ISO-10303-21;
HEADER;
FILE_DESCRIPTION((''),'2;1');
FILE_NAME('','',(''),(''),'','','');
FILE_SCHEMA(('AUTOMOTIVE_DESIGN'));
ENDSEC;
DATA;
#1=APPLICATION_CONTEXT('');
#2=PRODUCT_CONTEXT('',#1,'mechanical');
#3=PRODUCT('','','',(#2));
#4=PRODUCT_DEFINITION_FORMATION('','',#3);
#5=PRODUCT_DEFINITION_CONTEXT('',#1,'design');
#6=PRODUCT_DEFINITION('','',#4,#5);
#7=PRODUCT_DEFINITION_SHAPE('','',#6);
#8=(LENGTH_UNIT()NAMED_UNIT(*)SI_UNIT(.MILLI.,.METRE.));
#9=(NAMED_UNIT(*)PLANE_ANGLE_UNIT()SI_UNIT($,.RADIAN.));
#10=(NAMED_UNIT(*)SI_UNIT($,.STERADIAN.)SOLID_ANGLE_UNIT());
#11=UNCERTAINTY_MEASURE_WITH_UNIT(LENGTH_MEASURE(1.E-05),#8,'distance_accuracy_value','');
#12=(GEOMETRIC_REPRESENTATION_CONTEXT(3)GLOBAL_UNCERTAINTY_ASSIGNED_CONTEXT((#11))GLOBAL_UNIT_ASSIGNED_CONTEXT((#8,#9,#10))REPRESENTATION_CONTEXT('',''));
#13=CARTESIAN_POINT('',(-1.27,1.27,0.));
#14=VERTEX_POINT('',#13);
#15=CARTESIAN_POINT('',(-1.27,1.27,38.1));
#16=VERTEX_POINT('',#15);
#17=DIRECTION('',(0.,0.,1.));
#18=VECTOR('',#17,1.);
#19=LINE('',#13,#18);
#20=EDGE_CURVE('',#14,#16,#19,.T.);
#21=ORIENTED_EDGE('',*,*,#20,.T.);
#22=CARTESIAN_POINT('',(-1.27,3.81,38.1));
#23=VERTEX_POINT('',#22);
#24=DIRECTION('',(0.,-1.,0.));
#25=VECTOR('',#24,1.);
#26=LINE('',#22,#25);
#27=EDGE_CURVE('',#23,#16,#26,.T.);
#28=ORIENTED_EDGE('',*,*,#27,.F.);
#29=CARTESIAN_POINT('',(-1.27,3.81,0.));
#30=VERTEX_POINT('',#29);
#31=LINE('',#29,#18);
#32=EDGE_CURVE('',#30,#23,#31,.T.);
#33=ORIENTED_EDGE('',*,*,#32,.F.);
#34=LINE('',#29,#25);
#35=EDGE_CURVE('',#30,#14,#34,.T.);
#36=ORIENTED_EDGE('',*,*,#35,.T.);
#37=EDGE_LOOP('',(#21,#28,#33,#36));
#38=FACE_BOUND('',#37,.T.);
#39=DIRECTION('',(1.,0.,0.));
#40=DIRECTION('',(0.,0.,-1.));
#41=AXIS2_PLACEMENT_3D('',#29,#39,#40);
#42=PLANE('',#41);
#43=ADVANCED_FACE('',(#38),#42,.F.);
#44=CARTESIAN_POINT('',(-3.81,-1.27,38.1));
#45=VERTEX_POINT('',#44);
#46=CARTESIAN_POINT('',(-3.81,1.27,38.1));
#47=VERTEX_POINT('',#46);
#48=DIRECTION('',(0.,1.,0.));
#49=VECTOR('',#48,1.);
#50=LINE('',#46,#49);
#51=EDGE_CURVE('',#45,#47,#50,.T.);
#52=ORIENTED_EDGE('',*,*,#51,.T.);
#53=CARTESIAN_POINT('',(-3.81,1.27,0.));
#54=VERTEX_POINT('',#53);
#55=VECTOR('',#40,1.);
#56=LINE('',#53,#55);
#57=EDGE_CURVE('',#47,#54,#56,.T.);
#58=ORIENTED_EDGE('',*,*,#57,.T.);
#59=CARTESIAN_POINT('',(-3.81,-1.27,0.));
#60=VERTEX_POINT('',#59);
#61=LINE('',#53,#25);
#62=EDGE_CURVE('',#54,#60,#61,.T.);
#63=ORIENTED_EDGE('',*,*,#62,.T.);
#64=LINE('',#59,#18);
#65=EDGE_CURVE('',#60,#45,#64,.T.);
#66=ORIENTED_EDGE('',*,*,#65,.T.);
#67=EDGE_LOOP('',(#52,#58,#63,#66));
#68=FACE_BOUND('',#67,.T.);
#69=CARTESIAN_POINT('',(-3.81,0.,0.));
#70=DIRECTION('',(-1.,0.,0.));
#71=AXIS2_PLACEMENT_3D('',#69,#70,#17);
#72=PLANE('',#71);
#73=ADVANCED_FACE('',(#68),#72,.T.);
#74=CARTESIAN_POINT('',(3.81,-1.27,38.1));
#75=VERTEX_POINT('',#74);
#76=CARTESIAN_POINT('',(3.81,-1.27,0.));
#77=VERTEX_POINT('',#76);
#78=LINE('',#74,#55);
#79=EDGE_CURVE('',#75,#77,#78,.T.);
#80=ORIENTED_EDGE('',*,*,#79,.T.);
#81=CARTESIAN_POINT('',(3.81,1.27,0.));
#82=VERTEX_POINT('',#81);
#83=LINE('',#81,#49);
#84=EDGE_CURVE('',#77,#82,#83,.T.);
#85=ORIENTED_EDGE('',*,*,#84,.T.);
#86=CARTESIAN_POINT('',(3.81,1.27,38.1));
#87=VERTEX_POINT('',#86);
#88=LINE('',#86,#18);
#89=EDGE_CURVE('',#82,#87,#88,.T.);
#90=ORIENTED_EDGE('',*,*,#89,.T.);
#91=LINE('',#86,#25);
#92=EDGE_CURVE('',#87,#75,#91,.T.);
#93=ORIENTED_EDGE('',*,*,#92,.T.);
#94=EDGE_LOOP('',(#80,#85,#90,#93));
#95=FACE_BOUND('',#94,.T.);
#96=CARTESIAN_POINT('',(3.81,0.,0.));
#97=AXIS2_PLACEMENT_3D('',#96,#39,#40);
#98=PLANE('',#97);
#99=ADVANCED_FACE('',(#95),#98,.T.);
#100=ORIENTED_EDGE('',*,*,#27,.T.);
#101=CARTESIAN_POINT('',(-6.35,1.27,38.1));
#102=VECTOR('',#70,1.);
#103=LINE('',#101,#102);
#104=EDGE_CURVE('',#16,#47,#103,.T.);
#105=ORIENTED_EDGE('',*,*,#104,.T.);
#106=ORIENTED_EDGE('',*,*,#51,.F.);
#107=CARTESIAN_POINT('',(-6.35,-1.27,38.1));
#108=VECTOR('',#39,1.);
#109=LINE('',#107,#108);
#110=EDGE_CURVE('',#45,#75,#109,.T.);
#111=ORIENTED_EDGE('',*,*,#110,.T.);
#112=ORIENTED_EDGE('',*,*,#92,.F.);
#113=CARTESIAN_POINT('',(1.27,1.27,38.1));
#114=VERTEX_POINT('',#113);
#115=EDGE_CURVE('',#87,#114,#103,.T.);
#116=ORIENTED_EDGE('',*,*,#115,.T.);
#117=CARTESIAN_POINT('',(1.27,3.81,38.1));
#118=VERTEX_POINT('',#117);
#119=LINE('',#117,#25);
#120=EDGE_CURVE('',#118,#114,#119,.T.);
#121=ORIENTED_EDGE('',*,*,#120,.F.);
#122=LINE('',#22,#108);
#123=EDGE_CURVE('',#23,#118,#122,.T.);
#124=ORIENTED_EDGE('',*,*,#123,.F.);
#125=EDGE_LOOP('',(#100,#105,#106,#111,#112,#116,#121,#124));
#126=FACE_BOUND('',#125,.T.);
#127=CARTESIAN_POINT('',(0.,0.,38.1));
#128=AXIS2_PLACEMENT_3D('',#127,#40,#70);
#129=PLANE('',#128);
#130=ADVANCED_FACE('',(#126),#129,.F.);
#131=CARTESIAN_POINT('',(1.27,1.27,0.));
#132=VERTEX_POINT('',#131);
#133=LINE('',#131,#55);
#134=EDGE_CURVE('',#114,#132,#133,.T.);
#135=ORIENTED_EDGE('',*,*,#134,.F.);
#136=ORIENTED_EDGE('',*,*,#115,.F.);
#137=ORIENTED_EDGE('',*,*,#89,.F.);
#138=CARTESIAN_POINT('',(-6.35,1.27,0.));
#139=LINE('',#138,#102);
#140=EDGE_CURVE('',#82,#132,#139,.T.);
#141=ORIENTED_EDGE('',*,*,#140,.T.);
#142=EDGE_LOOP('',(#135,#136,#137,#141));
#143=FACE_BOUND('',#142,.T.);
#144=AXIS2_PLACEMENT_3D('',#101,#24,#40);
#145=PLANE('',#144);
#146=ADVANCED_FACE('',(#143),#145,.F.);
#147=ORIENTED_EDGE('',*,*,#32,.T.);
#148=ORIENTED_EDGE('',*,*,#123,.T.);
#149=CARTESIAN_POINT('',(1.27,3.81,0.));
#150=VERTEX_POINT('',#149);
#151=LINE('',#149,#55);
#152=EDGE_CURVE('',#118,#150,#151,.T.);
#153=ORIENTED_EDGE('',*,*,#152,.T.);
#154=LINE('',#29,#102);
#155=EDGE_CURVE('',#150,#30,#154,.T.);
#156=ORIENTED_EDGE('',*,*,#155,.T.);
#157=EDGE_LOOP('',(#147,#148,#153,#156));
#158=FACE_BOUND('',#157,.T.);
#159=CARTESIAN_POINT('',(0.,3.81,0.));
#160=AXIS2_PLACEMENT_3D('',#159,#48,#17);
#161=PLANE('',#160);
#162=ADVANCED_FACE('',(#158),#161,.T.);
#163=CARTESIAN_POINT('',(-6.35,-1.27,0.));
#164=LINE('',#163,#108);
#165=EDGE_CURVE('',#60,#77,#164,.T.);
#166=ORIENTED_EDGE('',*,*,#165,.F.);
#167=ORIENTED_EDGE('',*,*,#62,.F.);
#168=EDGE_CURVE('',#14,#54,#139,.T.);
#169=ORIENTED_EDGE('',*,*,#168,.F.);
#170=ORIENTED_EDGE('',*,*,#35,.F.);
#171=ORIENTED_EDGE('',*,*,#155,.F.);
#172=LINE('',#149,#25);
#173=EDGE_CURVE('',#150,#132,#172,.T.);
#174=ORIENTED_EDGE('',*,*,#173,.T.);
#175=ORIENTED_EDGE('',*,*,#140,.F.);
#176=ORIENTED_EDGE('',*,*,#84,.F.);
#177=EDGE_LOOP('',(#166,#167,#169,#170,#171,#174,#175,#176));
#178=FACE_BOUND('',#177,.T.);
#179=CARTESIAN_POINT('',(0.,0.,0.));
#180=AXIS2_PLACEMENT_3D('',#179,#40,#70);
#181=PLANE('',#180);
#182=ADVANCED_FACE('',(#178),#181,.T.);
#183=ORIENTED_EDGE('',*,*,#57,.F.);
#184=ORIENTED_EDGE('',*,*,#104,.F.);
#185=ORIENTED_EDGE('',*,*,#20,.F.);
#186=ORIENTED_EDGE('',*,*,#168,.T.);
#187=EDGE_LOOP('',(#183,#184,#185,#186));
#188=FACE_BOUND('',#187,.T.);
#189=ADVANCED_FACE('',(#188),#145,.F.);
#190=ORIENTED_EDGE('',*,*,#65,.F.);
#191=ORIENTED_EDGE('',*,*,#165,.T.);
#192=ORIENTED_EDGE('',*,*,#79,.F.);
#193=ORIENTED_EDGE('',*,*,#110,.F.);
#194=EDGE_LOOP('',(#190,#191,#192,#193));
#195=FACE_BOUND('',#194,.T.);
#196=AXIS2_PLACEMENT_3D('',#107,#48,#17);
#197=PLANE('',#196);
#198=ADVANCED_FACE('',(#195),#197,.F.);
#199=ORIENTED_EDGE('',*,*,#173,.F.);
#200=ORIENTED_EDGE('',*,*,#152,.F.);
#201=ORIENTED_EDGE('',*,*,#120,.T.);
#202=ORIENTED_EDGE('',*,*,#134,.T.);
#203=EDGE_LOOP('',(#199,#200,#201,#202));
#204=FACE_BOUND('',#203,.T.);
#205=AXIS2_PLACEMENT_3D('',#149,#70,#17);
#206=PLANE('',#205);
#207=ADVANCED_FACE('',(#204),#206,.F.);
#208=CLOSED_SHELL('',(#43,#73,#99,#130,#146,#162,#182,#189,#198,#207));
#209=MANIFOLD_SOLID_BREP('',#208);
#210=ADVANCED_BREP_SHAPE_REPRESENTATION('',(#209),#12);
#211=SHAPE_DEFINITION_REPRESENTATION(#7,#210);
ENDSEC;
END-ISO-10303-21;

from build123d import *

# Parameters (mm, degrees)
SKETCH1_W           = 12.7
SKETCH1_H           = 2.54
BOSS_EXTRUDE1_DEPTH = 38.1
SKETCH3_W           = 38.1
SKETCH3_H           = 2.54
CUT_EXTRUDE1_DEPTH  = 2.54
SKETCH4_W           = 38.1
SKETCH4_H           = 2.54
CUT_EXTRUDE2_DEPTH  = 2.54
SKETCH5_W           = 2.54
SKETCH5_H           = 38.1
BOSS_EXTRUDE3_DEPTH = 2.54


with BuildPart() as part:
    # Sketch1 → Boss-Extrude1 (new body)
    with BuildSketch(Plane.XY):
        Rectangle(SKETCH1_W, SKETCH1_H)
    extrude(amount=BOSS_EXTRUDE1_DEPTH)

    # Sketch3 → Cut-Extrude1 (cut)
    with BuildSketch(Plane(origin=(6.35, 0, 0), x_dir=(0, 0, -1), z_dir=(1, 0, 0))):
        with Locations((-19.05, 0)):
            Rectangle(SKETCH3_W, SKETCH3_H)
    extrude(amount=-CUT_EXTRUDE1_DEPTH, mode=Mode.SUBTRACT)

    # Sketch4 → Cut-Extrude2 (cut)
    with BuildSketch(Plane.ZY.offset(6.35)):
        with Locations((19.05, 0)):
            Rectangle(SKETCH4_W, SKETCH4_H)
    extrude(amount=-CUT_EXTRUDE2_DEPTH, mode=Mode.SUBTRACT)

    # Sketch5 → Boss-Extrude3 (add)
    with BuildSketch(Plane(origin=(0, 1.27, 0), x_dir=(1, 0, 0), z_dir=(0, 1, 0))):
        with Locations((0, -19.05)):
            Rectangle(SKETCH5_W, SKETCH5_H)
    extrude(amount=BOSS_EXTRUDE3_DEPTH)


solid = part.part
